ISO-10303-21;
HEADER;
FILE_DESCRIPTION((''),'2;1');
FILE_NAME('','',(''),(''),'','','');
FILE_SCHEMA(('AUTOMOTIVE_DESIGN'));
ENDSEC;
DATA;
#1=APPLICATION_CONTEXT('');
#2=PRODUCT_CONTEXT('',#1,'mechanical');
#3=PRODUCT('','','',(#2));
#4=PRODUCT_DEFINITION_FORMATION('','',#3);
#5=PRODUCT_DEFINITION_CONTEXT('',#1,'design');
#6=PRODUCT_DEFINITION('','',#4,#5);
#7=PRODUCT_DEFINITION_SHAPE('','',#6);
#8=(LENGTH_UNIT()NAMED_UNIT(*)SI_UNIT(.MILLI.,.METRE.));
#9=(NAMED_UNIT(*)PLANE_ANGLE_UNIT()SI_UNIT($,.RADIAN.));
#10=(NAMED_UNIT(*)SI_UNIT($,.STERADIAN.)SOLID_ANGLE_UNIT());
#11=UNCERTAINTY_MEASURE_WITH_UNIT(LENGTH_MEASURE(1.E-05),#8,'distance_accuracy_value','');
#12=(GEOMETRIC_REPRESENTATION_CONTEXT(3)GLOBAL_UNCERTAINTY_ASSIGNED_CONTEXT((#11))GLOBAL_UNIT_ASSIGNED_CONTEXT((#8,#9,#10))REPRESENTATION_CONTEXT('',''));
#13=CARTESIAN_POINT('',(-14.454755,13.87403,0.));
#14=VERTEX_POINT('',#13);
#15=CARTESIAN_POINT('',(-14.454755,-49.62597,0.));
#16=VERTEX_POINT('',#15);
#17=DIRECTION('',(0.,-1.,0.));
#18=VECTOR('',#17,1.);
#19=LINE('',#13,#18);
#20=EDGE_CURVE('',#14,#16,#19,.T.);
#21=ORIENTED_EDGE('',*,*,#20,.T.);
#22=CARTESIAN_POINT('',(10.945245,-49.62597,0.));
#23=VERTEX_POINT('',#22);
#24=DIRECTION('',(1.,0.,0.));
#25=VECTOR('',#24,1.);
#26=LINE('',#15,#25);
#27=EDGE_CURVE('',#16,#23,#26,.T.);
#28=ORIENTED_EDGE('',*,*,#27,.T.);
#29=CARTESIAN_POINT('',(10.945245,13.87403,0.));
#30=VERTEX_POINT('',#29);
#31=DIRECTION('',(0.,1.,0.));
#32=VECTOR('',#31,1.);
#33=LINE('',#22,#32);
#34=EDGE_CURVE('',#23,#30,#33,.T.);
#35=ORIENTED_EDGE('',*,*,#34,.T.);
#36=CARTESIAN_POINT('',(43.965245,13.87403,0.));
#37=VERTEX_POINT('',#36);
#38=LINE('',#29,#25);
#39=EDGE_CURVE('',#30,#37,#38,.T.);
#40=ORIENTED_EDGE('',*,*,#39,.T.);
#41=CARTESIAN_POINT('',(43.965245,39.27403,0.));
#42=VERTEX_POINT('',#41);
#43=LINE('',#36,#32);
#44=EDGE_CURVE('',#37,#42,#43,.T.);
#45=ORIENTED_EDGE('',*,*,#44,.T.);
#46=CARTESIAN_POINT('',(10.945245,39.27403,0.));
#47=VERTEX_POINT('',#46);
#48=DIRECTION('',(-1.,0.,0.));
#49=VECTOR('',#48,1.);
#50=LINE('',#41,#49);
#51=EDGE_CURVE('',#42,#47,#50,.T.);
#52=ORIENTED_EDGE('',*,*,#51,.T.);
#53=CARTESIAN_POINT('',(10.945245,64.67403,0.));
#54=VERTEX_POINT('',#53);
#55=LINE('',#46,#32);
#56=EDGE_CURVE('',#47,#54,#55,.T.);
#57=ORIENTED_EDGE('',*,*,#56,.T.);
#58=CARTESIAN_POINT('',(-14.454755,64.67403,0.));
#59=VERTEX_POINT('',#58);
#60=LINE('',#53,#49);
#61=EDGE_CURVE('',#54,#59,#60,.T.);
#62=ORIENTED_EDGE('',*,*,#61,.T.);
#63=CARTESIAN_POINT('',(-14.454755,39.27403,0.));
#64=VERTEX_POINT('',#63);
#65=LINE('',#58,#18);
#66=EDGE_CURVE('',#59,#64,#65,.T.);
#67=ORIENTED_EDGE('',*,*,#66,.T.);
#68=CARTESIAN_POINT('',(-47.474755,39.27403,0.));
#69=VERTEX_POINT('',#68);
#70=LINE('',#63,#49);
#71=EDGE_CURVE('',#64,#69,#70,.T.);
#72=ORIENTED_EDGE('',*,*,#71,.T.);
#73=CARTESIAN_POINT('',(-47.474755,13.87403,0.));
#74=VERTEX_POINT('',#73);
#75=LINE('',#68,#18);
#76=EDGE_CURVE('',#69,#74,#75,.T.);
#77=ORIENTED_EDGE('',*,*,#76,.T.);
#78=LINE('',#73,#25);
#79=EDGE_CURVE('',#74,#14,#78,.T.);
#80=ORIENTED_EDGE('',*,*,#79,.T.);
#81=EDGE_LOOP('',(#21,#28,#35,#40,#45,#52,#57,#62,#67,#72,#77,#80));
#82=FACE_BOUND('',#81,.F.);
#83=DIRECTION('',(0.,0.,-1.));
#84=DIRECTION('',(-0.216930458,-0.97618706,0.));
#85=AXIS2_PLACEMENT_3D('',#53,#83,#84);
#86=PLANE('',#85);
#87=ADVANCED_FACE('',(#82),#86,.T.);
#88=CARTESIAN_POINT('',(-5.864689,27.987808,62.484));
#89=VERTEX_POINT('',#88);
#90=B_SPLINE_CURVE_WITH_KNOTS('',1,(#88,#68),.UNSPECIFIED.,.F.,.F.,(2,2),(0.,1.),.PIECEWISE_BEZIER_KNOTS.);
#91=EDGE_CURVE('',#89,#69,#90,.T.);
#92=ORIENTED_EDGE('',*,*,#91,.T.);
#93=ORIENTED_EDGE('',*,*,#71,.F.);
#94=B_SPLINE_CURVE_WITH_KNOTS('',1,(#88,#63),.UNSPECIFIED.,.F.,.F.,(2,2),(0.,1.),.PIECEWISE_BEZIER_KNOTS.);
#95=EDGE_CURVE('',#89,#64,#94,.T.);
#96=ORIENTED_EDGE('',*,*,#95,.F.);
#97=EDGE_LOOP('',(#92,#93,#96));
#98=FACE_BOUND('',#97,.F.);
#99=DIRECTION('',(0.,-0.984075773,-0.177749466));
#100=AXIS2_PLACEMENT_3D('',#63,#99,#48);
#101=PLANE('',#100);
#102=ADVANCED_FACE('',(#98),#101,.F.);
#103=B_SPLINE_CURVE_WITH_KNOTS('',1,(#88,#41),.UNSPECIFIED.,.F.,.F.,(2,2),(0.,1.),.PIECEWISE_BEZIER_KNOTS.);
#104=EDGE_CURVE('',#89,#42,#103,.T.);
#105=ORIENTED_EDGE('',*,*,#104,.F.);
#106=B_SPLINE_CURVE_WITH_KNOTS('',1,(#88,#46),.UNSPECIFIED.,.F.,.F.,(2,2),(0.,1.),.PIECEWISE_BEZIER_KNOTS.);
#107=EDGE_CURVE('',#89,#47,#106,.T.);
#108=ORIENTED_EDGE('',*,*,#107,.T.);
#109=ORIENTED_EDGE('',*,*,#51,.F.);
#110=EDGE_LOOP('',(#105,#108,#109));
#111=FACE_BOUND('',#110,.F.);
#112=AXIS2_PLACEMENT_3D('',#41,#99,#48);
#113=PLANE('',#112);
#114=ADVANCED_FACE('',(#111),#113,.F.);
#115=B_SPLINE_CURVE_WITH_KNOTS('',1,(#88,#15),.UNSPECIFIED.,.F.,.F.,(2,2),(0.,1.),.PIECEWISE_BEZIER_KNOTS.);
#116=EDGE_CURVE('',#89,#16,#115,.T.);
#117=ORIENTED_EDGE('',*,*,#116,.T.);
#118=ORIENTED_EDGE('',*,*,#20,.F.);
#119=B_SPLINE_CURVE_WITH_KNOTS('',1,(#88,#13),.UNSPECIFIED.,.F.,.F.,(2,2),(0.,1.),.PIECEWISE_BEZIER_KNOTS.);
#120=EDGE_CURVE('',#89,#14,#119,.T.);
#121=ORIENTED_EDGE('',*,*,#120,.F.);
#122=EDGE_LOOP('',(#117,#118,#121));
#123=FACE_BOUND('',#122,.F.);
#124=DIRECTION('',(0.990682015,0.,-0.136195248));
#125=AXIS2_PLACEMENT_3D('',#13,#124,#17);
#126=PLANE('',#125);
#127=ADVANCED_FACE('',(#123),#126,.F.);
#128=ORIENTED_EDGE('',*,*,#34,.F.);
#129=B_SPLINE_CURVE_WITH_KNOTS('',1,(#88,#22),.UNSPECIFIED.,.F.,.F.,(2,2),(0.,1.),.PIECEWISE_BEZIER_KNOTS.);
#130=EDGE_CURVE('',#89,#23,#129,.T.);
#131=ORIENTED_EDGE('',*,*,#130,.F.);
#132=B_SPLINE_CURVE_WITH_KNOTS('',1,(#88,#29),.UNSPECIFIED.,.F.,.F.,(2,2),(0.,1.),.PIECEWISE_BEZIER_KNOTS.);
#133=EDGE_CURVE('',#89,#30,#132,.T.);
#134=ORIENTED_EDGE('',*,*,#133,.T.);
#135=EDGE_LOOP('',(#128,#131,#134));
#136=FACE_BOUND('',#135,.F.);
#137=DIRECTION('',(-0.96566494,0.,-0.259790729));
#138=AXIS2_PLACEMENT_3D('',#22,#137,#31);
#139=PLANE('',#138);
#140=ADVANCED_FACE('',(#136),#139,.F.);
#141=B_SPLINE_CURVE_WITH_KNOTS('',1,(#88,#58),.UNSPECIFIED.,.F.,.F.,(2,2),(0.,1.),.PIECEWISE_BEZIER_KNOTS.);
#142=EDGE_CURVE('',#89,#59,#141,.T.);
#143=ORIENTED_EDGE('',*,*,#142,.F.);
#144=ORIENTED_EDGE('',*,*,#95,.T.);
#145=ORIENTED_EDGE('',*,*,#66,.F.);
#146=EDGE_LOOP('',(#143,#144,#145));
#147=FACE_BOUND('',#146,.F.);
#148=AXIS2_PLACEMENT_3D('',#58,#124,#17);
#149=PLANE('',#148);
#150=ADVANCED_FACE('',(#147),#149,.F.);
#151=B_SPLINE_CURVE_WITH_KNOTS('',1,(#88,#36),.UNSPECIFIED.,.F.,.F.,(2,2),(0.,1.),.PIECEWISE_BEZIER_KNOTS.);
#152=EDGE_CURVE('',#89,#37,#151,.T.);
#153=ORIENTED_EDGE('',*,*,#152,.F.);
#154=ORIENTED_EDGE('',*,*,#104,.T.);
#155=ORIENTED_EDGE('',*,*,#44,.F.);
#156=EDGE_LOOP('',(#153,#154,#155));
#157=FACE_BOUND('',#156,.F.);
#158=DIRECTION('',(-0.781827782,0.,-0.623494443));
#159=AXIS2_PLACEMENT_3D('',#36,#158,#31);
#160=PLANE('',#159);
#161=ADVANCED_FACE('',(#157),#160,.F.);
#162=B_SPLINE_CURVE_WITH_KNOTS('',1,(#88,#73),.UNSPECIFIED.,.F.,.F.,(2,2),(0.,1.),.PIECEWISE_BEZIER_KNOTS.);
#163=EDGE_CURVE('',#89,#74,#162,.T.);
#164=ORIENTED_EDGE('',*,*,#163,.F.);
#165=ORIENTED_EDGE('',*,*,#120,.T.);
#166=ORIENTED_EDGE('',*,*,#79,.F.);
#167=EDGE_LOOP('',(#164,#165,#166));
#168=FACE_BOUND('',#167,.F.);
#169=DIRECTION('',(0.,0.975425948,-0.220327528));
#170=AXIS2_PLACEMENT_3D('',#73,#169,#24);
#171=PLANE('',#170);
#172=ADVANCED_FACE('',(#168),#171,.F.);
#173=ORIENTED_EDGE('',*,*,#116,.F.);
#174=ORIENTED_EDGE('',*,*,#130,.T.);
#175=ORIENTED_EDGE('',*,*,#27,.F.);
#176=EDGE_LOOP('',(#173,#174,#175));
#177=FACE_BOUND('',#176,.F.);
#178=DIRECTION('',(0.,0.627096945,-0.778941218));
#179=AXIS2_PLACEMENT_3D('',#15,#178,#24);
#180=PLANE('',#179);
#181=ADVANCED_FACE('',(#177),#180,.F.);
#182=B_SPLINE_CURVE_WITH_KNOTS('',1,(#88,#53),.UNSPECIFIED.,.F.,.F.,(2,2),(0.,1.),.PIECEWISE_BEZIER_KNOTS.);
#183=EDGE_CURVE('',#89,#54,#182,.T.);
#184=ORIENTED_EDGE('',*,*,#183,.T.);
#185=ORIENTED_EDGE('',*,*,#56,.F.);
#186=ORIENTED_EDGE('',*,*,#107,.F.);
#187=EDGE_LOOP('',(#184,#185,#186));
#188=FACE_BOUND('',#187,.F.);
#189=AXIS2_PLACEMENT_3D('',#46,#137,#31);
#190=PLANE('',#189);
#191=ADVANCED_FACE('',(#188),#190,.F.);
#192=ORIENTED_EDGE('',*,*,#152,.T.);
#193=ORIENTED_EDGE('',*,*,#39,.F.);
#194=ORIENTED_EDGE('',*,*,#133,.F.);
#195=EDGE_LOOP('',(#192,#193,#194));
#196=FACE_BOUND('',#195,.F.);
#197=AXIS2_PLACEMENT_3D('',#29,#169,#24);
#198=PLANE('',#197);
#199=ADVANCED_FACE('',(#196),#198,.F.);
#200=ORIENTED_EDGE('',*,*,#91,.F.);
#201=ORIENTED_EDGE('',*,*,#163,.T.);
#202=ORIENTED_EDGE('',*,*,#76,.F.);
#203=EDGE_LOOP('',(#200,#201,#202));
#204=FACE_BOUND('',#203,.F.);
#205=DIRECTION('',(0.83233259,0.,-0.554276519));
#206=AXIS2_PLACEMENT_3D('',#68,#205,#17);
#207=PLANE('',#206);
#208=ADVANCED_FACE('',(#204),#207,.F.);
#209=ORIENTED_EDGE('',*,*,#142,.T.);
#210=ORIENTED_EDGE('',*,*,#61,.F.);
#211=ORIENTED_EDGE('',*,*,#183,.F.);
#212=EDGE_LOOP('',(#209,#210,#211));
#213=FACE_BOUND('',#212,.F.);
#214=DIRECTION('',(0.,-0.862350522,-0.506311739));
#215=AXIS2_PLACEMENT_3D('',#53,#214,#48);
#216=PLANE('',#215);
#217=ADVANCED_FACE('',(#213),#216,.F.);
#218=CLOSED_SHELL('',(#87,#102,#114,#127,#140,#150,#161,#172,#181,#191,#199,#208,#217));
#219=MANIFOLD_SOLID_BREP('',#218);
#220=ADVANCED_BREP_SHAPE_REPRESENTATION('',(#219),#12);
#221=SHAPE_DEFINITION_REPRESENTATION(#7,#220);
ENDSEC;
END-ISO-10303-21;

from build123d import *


with BuildPart() as f3:
    # F0 (on Top) → F3 section 0
    with BuildSketch(Plane.XY, mode=Mode.PRIVATE) as f3_s0:
        Polygon((10.945245, 64.67403), (-14.454755, 64.67403), (-14.454755, 39.27403), (-47.474755, 39.27403), (-47.474755, 13.87403), (-14.454755, 13.87403), (-14.454755, -49.62597), (10.945245, -49.62597), (10.945245, 13.87403), (43.965245, 13.87403), (43.965245, 39.27403), (10.945245, 39.27403), align=None)
    loft([Vertex(-5.864689, 27.987808, 62.484), f3_s0.sketch])


solid = f3.part
